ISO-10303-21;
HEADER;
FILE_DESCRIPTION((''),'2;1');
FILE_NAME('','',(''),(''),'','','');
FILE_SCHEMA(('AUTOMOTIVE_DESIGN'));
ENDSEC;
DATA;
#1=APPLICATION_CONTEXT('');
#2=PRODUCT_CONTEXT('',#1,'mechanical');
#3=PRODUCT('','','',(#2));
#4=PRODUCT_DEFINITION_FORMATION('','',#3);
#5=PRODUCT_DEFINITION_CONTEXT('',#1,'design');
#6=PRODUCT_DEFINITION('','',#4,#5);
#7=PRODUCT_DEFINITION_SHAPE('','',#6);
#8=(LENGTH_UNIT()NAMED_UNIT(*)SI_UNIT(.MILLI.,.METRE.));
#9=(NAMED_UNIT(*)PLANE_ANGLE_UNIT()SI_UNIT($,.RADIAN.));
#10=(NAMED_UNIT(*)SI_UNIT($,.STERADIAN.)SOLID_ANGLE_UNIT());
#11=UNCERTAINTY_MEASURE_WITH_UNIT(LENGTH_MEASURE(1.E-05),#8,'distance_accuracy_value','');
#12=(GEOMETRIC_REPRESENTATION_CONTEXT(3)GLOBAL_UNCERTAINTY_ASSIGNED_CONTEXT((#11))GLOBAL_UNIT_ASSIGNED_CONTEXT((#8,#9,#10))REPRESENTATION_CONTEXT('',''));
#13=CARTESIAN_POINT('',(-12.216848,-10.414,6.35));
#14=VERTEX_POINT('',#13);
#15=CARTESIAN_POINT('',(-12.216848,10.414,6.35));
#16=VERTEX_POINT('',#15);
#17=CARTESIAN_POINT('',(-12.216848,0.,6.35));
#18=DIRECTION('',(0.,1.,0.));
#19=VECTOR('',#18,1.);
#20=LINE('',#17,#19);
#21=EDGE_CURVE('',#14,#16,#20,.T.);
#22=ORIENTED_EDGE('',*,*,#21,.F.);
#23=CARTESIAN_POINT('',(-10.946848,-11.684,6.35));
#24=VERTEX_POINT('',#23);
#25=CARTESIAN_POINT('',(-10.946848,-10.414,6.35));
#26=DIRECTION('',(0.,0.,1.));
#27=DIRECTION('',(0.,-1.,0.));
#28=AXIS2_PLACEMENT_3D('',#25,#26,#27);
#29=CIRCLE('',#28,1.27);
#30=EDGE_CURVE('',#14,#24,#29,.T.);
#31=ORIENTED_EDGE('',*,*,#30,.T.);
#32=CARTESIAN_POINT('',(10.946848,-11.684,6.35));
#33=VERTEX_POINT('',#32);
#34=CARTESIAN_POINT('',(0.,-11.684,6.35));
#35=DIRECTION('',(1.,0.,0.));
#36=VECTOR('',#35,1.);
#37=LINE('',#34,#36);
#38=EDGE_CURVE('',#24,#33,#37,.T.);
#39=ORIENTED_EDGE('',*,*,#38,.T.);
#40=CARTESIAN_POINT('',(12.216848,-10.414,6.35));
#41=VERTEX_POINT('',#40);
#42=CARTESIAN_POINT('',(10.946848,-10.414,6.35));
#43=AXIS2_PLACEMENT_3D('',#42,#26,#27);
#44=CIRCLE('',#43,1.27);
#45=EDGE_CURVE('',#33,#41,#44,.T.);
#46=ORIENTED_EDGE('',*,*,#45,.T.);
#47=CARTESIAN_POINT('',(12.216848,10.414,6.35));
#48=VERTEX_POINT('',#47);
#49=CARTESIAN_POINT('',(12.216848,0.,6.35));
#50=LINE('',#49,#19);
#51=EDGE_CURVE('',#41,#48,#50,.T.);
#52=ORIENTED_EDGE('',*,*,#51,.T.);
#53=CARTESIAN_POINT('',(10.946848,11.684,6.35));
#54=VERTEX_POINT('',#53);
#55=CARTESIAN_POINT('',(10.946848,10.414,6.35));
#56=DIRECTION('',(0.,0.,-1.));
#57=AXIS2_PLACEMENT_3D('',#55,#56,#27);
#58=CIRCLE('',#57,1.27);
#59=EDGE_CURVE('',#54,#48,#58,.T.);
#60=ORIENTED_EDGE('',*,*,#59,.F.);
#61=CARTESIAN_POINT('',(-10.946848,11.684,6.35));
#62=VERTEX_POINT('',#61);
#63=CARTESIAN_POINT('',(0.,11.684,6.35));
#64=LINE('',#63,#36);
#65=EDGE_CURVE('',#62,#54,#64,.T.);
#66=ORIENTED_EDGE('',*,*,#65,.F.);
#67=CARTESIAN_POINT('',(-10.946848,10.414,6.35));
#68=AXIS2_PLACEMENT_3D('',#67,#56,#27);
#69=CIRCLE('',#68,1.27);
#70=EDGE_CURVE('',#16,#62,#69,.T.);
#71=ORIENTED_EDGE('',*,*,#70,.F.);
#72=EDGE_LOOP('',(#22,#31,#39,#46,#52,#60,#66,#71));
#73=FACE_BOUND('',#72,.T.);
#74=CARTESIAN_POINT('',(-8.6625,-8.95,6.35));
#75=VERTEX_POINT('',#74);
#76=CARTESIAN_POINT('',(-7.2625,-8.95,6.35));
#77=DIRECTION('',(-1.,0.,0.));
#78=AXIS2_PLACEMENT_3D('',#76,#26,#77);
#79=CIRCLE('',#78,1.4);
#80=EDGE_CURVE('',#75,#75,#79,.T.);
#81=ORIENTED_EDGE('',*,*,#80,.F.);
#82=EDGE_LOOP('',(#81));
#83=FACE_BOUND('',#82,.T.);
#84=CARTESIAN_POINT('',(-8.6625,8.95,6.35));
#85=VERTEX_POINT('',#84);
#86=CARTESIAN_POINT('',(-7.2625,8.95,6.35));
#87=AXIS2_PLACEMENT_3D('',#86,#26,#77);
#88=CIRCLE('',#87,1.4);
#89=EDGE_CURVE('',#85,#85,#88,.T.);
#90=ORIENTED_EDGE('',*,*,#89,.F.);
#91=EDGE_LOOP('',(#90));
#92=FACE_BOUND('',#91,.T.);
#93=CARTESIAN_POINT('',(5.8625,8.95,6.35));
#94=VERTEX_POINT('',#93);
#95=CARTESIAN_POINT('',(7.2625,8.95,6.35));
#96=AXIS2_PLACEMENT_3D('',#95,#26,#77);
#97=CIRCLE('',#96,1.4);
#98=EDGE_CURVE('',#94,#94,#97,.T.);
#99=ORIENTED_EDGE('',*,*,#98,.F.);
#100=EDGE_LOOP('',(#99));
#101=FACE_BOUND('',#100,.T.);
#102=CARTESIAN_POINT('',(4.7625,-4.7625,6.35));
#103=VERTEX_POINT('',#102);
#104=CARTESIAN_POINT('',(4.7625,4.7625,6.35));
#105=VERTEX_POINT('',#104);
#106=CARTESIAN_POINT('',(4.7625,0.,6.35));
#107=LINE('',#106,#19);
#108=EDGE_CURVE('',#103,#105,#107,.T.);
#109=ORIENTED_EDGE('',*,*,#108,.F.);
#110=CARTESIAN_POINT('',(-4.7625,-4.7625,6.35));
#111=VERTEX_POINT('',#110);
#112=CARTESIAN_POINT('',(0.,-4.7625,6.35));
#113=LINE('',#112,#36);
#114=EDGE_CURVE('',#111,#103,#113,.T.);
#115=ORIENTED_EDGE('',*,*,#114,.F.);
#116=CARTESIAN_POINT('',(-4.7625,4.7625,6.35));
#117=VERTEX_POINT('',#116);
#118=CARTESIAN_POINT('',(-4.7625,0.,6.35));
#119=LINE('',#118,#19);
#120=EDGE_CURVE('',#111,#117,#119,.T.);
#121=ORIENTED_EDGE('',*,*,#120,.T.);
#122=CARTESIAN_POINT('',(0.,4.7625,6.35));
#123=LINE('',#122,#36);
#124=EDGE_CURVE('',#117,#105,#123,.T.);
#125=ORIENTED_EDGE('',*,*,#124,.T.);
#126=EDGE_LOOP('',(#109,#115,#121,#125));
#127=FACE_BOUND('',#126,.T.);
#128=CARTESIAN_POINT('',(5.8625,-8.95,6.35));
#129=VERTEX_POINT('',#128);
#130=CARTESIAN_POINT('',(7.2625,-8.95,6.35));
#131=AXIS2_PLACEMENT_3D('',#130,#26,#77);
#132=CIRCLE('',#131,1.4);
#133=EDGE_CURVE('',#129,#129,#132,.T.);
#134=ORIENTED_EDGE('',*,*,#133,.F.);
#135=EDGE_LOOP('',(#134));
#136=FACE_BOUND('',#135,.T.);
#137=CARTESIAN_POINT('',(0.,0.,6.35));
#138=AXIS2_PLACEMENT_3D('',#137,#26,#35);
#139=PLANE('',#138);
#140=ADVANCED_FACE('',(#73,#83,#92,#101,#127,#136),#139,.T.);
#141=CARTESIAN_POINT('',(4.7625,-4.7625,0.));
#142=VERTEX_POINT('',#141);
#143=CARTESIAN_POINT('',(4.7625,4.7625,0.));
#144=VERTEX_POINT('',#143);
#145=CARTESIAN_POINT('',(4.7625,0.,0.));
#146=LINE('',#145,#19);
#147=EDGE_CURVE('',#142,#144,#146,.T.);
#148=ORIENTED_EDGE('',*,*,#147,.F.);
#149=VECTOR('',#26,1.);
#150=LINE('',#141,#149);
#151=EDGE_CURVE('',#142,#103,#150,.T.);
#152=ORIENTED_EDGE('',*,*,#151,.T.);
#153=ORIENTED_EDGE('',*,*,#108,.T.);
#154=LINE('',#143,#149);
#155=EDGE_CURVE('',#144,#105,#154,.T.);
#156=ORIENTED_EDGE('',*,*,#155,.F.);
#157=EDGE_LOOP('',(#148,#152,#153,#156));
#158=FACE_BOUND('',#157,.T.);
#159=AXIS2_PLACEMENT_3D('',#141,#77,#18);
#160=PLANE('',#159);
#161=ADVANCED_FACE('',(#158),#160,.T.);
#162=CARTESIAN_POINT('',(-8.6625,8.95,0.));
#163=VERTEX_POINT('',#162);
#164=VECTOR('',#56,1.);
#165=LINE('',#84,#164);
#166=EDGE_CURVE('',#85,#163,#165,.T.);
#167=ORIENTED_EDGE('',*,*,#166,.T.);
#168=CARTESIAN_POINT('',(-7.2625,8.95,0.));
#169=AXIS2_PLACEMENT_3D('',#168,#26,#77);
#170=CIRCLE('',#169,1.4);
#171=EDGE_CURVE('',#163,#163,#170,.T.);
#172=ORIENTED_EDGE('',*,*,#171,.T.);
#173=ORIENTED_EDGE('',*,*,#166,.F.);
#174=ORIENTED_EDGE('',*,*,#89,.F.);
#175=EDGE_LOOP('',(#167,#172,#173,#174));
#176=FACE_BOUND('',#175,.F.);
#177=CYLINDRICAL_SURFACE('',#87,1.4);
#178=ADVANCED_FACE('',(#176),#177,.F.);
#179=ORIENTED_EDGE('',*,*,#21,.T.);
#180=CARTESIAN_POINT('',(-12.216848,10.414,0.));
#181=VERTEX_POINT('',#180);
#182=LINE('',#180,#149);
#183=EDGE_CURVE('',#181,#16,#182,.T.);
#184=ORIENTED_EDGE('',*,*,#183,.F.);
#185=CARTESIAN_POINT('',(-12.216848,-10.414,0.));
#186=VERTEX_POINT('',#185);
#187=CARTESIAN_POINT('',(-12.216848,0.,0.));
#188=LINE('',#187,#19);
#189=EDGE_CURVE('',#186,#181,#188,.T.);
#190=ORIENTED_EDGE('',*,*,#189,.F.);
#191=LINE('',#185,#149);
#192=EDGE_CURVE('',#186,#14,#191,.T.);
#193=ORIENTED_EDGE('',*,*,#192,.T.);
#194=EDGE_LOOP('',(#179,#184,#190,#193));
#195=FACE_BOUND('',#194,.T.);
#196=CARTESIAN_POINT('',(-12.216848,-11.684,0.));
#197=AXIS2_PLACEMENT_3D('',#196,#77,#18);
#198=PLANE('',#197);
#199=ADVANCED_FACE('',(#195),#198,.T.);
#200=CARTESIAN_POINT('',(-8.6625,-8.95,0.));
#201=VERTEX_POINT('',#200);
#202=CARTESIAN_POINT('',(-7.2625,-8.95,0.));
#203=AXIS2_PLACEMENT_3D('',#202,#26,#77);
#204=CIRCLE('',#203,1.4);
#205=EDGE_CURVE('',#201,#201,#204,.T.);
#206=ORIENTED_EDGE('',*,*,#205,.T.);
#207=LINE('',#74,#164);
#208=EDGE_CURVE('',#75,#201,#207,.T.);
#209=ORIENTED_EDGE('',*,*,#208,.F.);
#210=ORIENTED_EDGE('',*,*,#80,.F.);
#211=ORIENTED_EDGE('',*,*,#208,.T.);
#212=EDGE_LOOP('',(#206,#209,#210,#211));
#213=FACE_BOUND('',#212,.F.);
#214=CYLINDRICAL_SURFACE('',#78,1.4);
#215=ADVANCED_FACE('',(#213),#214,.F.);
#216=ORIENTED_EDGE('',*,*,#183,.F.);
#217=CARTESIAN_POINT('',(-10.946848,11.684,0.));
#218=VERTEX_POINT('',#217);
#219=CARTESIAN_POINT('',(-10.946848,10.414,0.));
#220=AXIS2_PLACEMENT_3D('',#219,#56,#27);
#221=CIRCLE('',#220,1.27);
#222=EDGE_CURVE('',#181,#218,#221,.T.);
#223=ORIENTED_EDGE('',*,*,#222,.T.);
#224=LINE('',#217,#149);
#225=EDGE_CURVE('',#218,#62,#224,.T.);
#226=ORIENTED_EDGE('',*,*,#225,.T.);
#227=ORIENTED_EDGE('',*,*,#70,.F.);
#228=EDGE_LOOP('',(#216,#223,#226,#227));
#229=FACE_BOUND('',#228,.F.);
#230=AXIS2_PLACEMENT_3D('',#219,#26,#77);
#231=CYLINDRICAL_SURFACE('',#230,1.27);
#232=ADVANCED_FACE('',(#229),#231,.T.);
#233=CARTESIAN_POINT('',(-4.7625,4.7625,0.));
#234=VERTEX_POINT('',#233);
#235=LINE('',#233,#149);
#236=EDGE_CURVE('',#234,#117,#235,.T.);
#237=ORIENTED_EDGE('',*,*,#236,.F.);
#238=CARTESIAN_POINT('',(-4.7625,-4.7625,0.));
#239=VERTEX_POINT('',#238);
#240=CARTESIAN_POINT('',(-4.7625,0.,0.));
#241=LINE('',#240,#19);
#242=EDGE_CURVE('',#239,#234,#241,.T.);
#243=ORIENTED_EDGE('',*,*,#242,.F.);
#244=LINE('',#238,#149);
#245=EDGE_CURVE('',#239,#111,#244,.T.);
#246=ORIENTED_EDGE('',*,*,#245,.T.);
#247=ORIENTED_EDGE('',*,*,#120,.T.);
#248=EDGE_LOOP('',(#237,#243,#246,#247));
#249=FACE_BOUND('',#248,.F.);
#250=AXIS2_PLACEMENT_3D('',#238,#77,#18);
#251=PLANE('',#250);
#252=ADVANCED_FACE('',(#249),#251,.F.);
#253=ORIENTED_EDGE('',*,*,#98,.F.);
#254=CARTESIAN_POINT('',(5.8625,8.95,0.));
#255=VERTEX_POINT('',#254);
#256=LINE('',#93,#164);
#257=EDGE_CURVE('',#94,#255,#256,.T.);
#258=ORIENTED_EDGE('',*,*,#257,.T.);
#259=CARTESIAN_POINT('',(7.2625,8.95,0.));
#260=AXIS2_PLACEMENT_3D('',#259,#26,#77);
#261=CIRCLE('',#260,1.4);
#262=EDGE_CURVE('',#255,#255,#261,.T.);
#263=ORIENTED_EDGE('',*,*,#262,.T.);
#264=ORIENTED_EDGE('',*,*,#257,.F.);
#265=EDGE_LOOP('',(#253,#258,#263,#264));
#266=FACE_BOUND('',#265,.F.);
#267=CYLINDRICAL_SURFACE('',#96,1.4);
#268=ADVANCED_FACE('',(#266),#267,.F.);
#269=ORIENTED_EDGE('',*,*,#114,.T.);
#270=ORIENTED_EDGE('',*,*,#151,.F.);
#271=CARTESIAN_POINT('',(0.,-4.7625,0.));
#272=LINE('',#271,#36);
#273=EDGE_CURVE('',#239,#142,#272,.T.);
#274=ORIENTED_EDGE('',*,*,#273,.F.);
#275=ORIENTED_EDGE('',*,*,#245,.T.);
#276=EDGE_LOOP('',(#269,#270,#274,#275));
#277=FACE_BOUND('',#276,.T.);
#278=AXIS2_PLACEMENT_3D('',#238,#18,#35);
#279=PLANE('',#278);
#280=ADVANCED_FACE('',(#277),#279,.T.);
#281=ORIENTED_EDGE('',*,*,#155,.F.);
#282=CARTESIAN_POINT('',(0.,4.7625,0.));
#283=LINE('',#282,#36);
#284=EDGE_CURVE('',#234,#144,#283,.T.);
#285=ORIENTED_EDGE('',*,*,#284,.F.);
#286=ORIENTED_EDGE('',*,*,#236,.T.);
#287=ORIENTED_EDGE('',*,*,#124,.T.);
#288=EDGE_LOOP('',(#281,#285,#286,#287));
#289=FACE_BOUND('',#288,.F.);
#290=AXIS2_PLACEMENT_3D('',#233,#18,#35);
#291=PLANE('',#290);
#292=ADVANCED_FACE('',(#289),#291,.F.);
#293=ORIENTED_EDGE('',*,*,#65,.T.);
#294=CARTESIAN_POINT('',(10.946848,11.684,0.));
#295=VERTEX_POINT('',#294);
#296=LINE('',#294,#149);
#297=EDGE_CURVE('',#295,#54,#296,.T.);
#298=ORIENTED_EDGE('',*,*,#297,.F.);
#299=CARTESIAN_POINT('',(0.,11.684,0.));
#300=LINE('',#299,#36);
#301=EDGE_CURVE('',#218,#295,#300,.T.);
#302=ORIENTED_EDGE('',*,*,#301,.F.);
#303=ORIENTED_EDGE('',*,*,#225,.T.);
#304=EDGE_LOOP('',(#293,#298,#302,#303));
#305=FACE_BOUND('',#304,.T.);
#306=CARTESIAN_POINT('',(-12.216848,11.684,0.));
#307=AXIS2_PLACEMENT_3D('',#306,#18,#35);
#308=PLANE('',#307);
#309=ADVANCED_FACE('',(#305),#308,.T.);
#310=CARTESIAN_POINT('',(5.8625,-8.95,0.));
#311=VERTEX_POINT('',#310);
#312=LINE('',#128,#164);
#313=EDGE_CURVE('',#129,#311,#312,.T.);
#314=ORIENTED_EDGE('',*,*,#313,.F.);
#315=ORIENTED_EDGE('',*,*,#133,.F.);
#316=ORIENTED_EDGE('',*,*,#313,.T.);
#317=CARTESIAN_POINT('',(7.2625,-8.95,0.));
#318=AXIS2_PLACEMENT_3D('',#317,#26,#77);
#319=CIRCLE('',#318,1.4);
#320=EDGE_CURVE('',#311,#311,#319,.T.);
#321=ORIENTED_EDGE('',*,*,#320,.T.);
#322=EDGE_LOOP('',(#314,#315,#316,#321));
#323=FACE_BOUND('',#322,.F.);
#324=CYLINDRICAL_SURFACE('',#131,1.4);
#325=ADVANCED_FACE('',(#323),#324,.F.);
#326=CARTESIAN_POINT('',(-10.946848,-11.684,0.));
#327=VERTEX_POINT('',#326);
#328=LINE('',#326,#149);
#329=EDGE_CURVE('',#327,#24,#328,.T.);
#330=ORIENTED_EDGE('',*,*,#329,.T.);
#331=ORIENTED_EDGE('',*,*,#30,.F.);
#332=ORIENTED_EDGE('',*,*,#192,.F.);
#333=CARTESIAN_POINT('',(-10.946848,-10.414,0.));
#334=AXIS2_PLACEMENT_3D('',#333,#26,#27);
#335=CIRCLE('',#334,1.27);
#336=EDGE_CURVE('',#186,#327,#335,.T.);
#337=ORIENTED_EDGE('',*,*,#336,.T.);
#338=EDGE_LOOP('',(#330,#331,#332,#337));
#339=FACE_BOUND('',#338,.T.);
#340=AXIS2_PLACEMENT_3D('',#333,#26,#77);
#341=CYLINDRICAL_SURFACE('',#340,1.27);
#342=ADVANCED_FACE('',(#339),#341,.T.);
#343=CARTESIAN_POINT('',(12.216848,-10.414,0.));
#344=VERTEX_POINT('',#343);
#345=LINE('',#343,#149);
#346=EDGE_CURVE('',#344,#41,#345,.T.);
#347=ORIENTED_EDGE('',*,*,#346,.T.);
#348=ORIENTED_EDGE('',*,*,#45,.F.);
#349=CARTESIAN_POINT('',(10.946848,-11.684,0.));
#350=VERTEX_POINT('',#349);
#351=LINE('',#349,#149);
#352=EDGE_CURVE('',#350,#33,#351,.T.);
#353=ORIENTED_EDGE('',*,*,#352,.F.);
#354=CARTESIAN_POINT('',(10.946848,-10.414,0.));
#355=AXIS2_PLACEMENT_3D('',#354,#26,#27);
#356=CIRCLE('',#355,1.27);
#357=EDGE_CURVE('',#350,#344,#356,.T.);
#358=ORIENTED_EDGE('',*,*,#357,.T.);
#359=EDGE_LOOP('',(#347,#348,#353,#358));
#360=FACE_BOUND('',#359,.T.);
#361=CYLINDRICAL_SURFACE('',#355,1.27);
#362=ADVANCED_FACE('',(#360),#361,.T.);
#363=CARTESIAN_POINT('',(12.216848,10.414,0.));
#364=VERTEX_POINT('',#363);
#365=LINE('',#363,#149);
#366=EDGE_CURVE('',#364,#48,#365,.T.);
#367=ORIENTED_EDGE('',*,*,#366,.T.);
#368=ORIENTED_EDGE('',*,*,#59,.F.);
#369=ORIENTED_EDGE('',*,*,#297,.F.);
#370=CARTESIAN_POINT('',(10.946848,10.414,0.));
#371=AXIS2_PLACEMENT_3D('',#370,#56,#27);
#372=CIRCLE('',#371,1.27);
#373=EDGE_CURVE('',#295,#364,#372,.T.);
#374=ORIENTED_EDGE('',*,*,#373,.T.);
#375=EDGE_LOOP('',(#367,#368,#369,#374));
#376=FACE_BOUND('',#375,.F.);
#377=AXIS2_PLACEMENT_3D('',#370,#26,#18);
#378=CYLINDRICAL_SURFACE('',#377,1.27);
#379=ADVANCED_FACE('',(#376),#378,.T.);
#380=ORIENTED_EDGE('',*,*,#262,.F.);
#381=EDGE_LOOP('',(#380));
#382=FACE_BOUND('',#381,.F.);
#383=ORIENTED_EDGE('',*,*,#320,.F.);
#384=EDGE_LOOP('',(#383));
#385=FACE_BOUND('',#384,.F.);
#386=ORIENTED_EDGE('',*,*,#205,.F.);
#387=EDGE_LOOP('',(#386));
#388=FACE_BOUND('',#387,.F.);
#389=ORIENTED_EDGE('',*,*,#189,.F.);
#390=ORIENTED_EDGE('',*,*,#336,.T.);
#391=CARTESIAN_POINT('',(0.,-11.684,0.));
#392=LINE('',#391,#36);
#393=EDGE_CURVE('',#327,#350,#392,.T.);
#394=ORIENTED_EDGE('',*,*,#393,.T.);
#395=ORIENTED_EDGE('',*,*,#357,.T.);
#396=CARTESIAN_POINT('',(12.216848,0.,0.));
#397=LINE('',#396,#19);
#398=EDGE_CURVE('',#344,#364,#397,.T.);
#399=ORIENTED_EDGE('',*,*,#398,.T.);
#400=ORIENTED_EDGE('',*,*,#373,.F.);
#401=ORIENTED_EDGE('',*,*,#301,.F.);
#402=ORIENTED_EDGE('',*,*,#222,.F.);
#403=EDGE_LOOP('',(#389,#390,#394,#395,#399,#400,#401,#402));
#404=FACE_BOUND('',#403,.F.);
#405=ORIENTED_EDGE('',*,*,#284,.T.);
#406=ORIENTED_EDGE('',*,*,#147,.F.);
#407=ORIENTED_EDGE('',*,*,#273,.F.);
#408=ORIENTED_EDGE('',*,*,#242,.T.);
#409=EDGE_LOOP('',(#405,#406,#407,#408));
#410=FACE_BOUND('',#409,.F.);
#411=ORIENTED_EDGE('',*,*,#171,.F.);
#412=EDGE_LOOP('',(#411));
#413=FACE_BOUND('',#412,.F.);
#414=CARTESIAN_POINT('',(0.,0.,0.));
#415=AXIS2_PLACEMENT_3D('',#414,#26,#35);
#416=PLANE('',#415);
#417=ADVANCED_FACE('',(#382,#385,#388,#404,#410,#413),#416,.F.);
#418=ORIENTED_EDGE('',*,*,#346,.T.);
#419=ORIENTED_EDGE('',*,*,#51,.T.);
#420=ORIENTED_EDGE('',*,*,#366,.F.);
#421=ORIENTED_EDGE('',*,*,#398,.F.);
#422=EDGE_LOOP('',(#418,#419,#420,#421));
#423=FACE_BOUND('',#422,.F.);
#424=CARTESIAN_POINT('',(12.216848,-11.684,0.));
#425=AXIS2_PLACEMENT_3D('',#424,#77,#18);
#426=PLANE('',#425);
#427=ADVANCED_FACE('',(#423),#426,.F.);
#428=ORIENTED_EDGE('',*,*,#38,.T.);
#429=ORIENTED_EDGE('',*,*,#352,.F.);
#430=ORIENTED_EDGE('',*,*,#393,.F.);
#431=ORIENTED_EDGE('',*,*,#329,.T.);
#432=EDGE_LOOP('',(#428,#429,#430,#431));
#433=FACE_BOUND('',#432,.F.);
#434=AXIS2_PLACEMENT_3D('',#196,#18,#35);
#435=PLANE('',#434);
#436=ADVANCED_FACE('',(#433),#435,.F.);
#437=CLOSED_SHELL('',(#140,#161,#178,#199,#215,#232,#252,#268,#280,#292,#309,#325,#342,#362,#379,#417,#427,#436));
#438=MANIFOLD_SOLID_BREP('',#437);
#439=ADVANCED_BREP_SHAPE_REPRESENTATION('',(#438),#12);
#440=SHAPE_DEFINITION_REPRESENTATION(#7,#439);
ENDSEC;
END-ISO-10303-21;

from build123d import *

# Parameters (mm, degrees)
F0_W     = 24.4336966982
F0_H     = 23.368
F0_W_2   = 9.525
F0_H_2   = 9.525
F1_DEPTH = 6.35
F3_R     = 1.27
F4_DEPTH = 6.35


with BuildPart() as f1:
    # F0 (on Top) → F1 (new body)
    with BuildSketch(Plane.XY):
        Rectangle(F0_W, F0_H)
        Rectangle(F0_W_2, F0_H_2, mode=Mode.SUBTRACT)
    extrude(amount=F1_DEPTH)

    # F3
    f3_edges = [f1.edges().sort_by_distance(p)[0] for p in [
        (12.216848, 11.684, 3.175),
        (-12.216848, 11.684, 3.175),
        (-12.216848, -11.684, 3.175),
        (12.216848, -11.684, 3.175),
    ]]
    fillet(f3_edges, radius=F3_R)

    # F2 (on face) → F4 (cut)
    with BuildSketch(Plane.XY.offset(6.35)):
        with BuildLine():
            Line((-8.6625, 8.95), (-5.8625, 8.95))
            ThreePointArc((-5.8625, 8.95), (-7.2625, 10.35), (-8.6625, 8.95))
        make_face()
        with BuildLine():
            ThreePointArc((-8.6625, 8.95), (-7.2625, 7.55), (-5.8625, 8.95))
            Line((-5.8625, 8.95), (-8.6625, 8.95))
        make_face()
        with BuildLine():
            Line((5.8625, 8.95), (8.6625, 8.95))
            ThreePointArc((8.6625, 8.95), (7.2625, 10.35), (5.8625, 8.95))
        make_face()
        with BuildLine():
            ThreePointArc((5.8625, 8.95), (7.2625, 7.55), (8.6625, 8.95))
            Line((8.6625, 8.95), (5.8625, 8.95))
        make_face()
        with BuildLine():
            Line((5.8625, -8.95), (8.6625, -8.95))
            ThreePointArc((8.6625, -8.95), (7.2625, -7.55), (5.8625, -8.95))
        make_face()
        with BuildLine():
            ThreePointArc((5.8625, -8.95), (7.2625, -10.35), (8.6625, -8.95))
            Line((8.6625, -8.95), (5.8625, -8.95))
        make_face()
        with BuildLine():
            Line((-8.6625, -8.95), (-5.8625, -8.95))
            ThreePointArc((-5.8625, -8.95), (-7.2625, -7.55), (-8.6625, -8.95))
        make_face()
        with BuildLine():
            ThreePointArc((-8.6625, -8.95), (-7.2625, -10.35), (-5.8625, -8.95))
            Line((-5.8625, -8.95), (-8.6625, -8.95))
        make_face()
    extrude(amount=-F4_DEPTH, mode=Mode.SUBTRACT)


solid = f1.part
